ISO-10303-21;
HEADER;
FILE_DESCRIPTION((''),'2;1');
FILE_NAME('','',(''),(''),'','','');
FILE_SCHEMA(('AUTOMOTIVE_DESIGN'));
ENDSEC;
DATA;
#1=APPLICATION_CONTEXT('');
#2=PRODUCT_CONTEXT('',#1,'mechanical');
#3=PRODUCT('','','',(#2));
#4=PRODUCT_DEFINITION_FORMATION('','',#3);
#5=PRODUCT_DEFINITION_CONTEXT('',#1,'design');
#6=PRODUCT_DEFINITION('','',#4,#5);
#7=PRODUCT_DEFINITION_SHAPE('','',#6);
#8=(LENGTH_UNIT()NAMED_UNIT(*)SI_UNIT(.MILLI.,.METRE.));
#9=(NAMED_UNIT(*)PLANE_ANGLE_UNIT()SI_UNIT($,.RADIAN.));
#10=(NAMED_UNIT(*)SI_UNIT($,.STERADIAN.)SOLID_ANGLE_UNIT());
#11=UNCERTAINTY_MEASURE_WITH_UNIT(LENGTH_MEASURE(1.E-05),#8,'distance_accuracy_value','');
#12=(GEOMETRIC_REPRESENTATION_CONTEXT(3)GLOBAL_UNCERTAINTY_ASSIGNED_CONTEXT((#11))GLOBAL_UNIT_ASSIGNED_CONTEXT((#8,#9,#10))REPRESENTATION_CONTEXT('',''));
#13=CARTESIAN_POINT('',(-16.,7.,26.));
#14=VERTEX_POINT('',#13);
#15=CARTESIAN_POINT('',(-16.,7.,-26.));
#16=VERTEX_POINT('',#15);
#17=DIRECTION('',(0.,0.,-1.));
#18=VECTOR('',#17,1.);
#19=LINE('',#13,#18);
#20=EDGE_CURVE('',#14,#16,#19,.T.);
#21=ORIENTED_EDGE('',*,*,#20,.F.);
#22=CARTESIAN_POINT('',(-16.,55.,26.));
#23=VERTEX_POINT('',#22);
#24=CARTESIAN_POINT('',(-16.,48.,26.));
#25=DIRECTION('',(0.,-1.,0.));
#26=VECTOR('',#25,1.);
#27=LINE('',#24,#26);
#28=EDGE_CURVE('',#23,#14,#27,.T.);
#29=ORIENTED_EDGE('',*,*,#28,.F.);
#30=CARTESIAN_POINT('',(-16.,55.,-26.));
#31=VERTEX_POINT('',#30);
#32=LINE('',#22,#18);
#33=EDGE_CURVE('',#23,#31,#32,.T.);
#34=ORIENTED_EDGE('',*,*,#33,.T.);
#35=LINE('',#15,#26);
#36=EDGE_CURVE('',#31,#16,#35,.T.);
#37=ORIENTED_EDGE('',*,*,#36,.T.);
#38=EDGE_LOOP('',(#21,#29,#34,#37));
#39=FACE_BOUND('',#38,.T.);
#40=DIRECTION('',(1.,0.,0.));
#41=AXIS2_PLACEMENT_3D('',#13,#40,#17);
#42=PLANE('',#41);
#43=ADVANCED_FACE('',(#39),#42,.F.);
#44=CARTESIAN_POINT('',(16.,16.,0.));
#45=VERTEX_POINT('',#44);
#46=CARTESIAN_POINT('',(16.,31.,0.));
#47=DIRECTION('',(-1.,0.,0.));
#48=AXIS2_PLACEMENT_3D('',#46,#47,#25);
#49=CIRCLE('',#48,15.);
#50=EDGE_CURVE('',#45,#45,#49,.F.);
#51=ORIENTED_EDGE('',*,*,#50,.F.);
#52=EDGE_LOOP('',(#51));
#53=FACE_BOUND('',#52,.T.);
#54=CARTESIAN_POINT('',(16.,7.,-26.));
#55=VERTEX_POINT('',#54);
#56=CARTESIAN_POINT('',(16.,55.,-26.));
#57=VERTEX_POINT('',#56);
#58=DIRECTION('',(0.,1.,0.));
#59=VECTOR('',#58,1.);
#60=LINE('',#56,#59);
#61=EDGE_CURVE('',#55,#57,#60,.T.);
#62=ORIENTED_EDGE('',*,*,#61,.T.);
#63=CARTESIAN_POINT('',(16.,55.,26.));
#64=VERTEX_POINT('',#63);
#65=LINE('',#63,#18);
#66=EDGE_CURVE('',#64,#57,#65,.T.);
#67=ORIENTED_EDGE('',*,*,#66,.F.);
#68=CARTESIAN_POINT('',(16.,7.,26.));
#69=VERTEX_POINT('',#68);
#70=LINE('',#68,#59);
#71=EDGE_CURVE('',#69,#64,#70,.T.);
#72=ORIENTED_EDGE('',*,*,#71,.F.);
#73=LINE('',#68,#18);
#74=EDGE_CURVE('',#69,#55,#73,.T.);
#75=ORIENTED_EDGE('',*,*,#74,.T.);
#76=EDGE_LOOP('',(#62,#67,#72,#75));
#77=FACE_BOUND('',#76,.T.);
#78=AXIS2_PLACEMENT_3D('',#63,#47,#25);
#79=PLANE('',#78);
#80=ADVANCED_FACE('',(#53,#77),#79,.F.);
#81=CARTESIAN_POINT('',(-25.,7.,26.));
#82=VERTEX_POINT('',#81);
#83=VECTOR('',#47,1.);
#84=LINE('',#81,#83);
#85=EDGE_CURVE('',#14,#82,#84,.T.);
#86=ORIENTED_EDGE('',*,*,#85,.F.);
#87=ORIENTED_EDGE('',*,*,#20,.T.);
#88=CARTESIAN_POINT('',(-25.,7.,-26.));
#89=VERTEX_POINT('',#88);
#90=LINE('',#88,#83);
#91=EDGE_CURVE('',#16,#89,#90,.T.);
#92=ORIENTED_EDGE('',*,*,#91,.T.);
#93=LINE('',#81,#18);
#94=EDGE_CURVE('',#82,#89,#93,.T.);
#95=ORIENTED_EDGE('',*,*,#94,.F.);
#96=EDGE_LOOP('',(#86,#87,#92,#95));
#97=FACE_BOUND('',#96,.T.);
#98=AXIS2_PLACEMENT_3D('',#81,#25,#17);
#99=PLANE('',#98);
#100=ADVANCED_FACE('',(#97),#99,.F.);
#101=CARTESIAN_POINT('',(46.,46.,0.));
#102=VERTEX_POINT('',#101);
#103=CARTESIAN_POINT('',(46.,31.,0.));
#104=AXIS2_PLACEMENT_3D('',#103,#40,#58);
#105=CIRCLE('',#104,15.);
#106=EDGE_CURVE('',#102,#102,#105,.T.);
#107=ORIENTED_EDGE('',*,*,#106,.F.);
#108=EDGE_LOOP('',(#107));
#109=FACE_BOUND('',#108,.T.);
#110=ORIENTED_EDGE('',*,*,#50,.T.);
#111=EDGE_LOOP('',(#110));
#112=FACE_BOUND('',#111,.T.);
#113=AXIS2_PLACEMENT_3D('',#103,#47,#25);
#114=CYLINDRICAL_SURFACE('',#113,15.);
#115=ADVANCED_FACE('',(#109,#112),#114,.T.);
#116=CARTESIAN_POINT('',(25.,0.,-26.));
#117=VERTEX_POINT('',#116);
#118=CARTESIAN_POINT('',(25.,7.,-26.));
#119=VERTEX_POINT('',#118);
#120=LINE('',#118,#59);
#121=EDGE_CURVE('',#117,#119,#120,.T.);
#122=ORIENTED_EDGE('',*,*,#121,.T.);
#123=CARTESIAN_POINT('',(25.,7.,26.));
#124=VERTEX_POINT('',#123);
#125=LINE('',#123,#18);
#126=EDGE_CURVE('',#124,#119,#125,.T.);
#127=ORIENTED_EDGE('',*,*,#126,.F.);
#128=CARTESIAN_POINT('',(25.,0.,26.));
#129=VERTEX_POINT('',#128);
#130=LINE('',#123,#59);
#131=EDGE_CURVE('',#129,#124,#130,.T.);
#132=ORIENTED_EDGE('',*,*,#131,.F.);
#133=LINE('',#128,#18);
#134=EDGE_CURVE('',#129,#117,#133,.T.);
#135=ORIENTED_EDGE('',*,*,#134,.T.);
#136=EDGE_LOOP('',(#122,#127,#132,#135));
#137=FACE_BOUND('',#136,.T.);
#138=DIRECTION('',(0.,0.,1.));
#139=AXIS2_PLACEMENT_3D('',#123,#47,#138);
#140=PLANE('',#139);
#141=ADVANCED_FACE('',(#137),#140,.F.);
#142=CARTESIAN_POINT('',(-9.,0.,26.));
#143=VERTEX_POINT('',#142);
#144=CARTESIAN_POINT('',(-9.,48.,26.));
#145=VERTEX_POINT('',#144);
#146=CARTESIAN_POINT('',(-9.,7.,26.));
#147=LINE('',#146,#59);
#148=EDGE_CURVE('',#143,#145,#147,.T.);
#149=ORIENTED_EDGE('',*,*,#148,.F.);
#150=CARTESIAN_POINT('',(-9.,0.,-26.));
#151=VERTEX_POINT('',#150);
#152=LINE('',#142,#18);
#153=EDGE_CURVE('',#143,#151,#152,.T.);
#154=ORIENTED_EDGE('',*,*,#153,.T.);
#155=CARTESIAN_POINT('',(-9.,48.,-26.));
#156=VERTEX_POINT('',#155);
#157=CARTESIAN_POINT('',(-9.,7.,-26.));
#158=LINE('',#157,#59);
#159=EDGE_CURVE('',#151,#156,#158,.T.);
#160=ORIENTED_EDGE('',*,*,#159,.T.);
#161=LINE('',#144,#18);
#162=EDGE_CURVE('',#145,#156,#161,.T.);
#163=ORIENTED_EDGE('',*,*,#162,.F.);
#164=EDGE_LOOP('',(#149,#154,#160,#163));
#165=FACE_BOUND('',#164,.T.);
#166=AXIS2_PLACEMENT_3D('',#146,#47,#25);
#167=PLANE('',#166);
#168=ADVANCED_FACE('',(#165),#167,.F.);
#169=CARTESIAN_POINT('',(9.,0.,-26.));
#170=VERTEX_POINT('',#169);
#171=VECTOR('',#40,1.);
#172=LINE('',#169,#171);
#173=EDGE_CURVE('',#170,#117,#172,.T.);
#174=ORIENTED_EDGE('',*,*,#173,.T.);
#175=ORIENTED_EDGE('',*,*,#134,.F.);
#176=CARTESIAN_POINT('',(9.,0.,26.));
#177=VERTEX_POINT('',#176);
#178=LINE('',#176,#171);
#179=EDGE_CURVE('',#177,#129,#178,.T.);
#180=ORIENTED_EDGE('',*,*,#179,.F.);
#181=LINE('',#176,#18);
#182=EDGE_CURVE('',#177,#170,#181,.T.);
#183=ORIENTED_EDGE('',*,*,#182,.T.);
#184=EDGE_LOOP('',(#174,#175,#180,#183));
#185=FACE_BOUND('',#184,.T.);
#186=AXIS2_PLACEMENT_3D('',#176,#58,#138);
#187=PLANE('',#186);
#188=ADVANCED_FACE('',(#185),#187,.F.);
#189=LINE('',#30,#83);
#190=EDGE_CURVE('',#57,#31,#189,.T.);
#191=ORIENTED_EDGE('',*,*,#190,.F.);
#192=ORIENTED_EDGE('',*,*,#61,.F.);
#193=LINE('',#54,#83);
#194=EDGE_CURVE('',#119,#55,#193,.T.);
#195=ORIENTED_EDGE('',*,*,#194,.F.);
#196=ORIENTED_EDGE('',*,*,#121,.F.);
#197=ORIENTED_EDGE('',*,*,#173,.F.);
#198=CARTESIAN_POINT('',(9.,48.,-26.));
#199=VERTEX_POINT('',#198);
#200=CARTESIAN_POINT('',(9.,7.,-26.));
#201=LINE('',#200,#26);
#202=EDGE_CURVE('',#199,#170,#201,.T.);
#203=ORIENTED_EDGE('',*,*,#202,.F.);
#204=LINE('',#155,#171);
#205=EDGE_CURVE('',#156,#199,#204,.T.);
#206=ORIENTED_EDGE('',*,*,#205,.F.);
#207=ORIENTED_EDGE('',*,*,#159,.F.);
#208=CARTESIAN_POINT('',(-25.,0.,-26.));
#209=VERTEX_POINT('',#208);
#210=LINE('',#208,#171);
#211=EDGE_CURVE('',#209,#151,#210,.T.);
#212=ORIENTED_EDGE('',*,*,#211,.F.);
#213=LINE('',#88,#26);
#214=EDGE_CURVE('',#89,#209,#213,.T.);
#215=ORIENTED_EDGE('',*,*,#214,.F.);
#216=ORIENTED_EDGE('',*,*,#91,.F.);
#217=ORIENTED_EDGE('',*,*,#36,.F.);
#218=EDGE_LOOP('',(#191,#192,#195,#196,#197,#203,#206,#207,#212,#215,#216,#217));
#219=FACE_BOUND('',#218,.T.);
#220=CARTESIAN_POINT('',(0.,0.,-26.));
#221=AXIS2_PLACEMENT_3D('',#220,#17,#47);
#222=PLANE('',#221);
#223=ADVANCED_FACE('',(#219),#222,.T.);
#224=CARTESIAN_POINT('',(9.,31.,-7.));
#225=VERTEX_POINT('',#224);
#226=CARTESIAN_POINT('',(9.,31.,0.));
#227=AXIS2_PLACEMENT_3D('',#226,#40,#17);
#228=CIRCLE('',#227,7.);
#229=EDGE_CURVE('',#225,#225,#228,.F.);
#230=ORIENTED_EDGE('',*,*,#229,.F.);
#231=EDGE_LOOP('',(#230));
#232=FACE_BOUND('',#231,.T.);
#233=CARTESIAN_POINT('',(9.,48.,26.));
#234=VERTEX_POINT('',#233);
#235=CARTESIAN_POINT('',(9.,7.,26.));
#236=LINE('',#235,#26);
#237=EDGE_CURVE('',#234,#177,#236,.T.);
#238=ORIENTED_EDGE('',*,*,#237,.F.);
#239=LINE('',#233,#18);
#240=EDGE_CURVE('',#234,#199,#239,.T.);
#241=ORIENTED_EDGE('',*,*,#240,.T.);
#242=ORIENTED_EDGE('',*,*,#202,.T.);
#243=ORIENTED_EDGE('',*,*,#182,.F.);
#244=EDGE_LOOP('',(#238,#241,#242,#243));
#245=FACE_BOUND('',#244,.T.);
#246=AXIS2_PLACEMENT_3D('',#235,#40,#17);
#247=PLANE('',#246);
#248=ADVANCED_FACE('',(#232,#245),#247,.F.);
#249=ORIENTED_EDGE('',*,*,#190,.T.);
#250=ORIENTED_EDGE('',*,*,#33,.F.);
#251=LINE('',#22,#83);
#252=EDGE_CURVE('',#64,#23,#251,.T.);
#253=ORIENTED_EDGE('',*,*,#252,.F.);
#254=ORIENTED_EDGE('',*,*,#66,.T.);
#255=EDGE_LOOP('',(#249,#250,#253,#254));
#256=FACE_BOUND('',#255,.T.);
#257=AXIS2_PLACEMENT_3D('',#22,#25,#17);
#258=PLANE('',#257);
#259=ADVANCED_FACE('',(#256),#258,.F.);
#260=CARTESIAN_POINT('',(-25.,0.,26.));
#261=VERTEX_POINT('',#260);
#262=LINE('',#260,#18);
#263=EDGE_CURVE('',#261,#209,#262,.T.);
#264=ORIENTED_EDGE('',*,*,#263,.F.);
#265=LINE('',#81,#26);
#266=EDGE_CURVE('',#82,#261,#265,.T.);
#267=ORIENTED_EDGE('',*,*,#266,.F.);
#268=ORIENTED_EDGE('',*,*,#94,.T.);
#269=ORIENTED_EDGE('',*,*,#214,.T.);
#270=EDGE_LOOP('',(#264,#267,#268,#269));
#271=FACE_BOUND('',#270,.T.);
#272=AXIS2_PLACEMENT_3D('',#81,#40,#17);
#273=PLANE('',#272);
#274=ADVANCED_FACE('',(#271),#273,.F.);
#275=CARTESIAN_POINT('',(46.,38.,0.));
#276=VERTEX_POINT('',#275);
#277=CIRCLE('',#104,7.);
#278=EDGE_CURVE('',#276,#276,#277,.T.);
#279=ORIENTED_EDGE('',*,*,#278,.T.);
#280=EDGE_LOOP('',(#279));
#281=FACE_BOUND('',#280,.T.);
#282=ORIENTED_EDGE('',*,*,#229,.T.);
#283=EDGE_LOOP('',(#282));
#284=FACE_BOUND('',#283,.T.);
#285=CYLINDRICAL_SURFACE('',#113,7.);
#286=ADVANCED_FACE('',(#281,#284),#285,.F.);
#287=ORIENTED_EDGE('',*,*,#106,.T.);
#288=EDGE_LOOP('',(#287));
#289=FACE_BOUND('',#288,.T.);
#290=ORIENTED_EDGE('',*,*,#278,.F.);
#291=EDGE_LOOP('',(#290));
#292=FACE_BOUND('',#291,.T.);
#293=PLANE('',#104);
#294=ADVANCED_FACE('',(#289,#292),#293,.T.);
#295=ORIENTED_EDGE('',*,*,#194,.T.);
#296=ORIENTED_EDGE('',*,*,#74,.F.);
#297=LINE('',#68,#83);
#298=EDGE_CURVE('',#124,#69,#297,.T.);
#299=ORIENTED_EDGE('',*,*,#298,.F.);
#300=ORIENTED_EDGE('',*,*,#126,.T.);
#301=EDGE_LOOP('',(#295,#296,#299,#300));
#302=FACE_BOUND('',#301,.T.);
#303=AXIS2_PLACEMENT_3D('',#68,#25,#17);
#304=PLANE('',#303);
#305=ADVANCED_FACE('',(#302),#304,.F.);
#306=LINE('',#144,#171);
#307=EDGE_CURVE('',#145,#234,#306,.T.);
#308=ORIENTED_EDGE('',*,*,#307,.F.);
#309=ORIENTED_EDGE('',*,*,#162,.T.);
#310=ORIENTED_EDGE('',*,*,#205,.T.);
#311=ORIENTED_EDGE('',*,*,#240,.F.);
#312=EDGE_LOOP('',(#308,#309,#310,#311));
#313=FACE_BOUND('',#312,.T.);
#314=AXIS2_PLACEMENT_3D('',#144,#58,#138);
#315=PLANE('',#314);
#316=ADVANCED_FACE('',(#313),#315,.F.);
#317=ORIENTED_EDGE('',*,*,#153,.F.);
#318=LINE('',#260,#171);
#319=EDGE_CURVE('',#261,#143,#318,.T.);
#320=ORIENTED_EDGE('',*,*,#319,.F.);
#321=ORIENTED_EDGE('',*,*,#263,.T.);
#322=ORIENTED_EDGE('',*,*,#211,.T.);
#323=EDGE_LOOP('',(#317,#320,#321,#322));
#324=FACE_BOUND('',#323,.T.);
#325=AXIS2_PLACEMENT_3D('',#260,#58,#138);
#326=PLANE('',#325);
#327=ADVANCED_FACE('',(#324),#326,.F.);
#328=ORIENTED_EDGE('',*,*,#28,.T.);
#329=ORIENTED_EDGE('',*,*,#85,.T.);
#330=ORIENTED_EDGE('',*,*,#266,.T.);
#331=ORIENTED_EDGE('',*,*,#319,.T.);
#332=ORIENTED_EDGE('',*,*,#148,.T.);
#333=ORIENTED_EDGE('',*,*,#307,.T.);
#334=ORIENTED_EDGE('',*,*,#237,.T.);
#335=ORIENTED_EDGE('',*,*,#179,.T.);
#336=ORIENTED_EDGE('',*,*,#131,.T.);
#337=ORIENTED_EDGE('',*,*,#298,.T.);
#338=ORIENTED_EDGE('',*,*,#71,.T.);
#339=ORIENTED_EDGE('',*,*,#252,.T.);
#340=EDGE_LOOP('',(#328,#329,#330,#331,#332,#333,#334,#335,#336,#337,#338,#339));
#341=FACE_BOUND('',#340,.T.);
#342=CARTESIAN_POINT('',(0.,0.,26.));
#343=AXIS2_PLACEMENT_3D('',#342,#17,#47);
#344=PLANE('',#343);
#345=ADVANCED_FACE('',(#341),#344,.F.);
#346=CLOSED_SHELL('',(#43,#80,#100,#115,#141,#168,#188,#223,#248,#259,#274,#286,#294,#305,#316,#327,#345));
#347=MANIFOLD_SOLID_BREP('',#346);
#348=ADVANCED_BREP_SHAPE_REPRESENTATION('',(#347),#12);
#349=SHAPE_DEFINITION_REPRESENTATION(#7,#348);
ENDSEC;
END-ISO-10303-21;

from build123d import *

# Parameters (mm, degrees)
BOSS_EXTRUDE1_DEPTH = 26
SKETCH2_R           = 15
SKETCH2_R_2         = 7
BOSS_EXTRUDE2_DEPTH = 30
CUT_EXTRUDE1_REACH  = 75.362
SKETCH3_R           = 7


with BuildPart() as part:
    # Sketch1 → Boss-Extrude1 (new, symmetric)
    with BuildSketch(Plane.XY):
        Polygon((-25, 0), (-9, 0), (-9, 7), (-9, 48), (9, 48), (9, 7), (9, 0), (25, 0), (25, 7), (16, 7), (16, 48), (16, 55), (-16, 55), (-16, 48), (-16, 7), (-25, 7), align=None)
    extrude(amount=BOSS_EXTRUDE1_DEPTH, both=True)

    # Sketch2 → Boss-Extrude2 (add)
    with BuildSketch(Plane(origin=(16, 0, 0), x_dir=(0, 0, -1), z_dir=(1, 0, 0))):
        with Locations(Location((0, 31, 0), (0, 0, 270))):
            Circle(SKETCH2_R)
        with Locations(Location((0, 31, 0), (0, 0, 90))):
            Circle(SKETCH2_R_2, mode=Mode.SUBTRACT)
    extrude(amount=BOSS_EXTRUDE2_DEPTH)

    # Sketch3 → Cut-Extrude1 (cut, up to next)
    with BuildSketch(Plane(origin=(16, 0, 0), x_dir=(0, 0, -1), z_dir=(1, 0, 0)), mode=Mode.PRIVATE) as cut_extrude1_sk1:
        with Locations((0, 31)):
            Circle(SKETCH3_R)
    cut_extrude1_tool1 = extrude(cut_extrude1_sk1.sketch, amount=-CUT_EXTRUDE1_REACH, mode=Mode.PRIVATE) & part.part
    add(cut_extrude1_tool1.solids().sort_by_distance((16, 31, 0))[0], mode=Mode.SUBTRACT)


solid = part.part
